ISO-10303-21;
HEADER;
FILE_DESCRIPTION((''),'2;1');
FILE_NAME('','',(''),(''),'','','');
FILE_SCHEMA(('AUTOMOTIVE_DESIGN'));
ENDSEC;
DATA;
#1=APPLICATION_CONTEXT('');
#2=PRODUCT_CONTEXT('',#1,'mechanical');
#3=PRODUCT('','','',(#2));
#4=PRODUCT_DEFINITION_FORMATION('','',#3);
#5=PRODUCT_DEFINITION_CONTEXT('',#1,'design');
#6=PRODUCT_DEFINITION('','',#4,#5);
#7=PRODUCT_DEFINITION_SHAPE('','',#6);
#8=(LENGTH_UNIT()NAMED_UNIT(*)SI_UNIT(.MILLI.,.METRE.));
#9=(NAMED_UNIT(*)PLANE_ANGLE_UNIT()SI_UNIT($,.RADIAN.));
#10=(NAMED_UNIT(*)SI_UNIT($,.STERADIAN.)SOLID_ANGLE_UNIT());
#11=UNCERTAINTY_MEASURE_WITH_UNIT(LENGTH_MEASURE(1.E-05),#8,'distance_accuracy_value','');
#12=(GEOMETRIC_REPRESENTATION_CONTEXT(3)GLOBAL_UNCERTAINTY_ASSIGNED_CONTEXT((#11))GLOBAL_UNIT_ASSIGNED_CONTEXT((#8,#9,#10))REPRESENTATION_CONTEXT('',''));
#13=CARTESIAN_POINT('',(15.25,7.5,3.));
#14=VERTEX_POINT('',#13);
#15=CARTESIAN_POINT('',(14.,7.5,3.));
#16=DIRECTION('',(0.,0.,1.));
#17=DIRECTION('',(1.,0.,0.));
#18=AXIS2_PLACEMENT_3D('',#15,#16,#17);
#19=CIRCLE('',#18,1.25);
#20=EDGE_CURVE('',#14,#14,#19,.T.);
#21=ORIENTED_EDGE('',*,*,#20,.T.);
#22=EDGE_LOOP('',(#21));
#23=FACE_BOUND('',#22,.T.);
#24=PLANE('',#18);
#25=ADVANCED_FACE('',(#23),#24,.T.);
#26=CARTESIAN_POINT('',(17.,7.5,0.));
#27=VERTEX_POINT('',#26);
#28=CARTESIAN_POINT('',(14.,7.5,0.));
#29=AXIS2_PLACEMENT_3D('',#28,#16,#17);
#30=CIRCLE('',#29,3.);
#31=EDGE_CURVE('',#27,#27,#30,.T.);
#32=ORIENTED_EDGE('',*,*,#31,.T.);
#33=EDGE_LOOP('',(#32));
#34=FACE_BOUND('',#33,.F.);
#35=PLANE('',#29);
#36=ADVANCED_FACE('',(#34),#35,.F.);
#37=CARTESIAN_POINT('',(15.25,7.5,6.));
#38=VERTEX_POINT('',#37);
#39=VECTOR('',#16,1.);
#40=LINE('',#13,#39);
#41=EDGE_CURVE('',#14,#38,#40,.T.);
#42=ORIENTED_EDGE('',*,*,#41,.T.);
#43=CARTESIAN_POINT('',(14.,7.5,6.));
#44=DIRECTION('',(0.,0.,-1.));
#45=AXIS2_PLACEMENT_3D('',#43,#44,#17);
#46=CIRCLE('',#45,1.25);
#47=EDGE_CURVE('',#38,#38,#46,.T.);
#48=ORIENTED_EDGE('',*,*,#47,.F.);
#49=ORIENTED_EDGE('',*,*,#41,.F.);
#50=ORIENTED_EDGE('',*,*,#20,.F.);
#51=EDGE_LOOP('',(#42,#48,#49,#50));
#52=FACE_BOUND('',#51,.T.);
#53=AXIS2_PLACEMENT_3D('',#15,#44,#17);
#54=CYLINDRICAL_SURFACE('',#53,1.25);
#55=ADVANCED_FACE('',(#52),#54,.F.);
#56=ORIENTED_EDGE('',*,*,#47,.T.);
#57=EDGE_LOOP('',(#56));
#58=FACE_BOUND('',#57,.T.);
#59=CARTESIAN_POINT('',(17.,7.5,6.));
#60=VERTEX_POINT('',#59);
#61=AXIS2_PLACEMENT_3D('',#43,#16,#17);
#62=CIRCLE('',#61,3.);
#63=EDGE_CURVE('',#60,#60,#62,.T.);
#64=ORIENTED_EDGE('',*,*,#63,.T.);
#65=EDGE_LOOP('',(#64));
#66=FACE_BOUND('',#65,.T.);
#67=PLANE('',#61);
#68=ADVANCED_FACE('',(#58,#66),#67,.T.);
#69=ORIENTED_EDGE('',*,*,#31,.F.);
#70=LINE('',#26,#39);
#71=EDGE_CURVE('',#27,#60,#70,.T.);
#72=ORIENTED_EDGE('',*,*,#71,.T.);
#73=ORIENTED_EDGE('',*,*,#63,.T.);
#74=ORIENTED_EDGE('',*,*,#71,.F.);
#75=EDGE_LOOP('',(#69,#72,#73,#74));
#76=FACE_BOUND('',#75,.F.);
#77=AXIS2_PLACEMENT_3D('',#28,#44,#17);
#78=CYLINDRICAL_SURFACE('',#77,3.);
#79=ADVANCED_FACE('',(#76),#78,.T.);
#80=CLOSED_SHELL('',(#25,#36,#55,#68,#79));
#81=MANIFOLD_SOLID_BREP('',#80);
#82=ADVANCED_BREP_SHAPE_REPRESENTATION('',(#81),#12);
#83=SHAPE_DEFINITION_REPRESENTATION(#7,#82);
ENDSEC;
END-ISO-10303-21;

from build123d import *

# Parameters (mm, degrees)
CYLINDER008_R     = 1.25
CYLINDER008_DEPTH = 5
CYLINDER019_R     = 3
CYLINDER019_DEPTH = 6


with BuildPart() as b_sw001:
    # Cylinder008 → Cylinder008 (new body)
    with BuildSketch(Plane(origin=(50, 14, 3), x_dir=(1, 0, 0), z_dir=(0, 0, 1))):
        Circle(CYLINDER008_R)
    extrude(amount=CYLINDER008_DEPTH)


with BuildPart() as h_cut009:
    # Cylinder019 → Cylinder019 (new body)
    with BuildSketch(Plane(origin=(50, 14, 0), x_dir=(1, 0, 0), z_dir=(0, 0, 1))):
        Circle(CYLINDER019_R)
    extrude(amount=CYLINDER019_DEPTH)

    # Cut009: cut B_SW001
    add(b_sw001.part, mode=Mode.SUBTRACT)


with BuildPart() as h_cut009_1:
    # Cut009 placement: moved
    add(h_cut009.part.moved(Location((-36, -6.5, 0))))


solid = h_cut009_1.part
